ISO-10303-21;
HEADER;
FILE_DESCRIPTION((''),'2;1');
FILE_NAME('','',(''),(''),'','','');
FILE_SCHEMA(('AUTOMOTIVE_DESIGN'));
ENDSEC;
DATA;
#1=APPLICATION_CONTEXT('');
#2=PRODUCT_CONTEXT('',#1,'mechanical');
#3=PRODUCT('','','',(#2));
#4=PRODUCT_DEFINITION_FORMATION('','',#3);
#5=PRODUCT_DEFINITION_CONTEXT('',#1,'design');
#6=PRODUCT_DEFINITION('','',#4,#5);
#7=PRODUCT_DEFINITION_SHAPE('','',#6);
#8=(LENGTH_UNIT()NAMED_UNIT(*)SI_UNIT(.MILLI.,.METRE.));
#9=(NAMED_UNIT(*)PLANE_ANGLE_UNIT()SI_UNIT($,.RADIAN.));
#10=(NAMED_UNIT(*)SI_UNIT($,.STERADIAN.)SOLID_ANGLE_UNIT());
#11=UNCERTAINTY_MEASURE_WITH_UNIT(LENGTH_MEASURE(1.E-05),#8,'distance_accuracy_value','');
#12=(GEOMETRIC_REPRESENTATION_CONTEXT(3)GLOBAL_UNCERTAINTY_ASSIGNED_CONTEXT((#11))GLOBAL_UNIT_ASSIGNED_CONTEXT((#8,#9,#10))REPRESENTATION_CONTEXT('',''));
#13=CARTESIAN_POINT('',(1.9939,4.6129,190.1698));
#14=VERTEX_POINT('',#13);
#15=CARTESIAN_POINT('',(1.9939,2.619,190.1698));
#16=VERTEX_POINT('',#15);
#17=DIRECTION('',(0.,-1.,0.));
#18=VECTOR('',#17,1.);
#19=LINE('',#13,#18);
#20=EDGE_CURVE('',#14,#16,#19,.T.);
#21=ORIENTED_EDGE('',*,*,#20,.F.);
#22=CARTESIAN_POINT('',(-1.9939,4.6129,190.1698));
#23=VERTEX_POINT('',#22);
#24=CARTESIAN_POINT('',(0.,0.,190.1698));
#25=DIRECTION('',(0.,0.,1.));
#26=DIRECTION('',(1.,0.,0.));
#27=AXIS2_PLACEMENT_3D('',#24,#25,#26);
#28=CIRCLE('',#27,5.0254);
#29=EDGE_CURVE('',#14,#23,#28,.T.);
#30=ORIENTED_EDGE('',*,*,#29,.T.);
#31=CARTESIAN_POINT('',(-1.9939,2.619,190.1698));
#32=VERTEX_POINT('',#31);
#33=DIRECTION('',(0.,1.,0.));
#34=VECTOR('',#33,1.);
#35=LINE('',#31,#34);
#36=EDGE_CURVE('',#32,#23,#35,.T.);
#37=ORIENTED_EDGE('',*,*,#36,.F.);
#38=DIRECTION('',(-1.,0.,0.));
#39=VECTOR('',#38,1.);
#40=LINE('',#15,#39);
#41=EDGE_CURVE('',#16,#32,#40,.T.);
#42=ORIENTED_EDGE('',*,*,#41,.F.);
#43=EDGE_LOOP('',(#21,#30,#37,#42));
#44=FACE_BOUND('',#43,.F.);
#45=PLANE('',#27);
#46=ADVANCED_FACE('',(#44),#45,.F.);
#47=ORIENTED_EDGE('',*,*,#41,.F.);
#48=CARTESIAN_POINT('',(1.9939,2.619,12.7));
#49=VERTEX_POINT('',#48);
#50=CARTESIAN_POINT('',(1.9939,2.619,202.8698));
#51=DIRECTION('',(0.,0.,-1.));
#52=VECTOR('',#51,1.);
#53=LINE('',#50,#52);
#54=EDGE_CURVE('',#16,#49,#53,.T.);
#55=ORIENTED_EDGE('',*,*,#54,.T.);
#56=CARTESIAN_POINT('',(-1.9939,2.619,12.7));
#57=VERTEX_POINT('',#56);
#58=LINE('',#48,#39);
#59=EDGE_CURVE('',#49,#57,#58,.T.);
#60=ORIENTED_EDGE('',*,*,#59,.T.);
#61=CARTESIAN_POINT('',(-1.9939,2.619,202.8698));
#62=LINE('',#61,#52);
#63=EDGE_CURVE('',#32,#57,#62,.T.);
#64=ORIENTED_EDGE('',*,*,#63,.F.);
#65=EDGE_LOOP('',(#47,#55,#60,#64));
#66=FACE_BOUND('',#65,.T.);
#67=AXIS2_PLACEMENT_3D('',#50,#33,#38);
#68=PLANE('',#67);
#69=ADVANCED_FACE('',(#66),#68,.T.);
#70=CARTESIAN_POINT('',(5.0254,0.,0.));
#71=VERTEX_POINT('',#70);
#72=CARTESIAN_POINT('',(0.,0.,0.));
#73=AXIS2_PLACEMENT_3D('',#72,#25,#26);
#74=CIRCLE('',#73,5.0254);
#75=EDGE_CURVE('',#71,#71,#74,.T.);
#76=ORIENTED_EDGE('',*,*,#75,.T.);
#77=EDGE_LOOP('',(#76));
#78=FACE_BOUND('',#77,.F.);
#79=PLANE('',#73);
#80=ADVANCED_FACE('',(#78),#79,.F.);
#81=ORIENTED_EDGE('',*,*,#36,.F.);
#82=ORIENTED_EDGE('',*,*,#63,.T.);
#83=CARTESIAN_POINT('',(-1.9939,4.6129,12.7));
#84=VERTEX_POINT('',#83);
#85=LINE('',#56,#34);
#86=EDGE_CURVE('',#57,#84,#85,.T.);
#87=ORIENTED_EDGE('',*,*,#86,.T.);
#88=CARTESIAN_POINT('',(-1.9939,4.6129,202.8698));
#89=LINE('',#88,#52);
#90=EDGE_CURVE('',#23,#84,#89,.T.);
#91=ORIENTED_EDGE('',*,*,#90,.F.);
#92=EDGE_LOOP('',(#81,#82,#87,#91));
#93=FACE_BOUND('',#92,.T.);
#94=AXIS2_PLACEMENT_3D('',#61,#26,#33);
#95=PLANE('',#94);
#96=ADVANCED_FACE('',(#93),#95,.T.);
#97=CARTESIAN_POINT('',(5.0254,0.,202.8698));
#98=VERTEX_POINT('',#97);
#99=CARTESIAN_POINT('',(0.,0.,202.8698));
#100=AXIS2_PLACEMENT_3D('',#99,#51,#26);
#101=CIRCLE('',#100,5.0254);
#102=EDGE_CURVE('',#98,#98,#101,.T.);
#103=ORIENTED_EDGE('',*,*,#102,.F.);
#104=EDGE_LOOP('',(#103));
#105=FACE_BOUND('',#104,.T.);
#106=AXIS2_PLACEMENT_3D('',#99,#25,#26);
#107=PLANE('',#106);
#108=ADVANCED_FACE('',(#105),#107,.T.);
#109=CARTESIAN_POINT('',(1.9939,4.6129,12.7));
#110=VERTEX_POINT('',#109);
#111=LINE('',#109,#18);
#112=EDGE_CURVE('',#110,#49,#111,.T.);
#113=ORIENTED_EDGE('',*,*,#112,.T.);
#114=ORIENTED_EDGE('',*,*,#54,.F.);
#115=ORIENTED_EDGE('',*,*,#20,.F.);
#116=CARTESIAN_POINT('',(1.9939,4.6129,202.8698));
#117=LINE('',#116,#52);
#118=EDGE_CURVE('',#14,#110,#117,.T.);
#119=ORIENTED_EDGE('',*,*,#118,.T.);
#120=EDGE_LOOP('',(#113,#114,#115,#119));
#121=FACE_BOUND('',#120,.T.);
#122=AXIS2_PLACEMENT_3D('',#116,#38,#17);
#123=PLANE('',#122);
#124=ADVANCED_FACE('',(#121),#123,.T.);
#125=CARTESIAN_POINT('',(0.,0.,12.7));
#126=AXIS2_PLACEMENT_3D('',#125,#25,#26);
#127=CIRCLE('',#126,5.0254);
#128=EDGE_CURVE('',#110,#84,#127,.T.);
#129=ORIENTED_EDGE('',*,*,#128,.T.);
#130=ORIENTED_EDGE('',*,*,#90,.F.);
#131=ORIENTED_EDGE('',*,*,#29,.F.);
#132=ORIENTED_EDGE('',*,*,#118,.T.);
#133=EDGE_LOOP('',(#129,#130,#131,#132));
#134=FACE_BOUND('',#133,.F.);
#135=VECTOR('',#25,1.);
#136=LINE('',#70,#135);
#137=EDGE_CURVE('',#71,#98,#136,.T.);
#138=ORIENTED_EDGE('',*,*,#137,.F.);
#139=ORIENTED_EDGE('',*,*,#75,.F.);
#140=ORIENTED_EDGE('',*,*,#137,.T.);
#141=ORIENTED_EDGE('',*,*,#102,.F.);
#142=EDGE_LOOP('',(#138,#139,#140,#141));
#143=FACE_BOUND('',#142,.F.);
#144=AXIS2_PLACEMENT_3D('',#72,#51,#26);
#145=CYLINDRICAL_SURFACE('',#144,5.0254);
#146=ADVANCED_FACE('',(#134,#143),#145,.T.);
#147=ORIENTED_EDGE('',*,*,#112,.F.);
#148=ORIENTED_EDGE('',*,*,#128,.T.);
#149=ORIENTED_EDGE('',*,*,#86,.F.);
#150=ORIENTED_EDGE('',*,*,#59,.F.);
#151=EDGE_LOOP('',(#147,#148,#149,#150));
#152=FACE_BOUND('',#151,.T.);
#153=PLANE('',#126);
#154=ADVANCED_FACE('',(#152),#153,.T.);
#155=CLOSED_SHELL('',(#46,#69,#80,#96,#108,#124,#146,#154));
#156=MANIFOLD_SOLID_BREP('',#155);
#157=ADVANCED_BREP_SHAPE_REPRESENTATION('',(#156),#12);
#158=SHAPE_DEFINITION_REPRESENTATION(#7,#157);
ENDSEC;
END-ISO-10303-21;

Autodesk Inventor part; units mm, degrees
ref_plane "YZ Plane" through (0, 0, 0) normal (1, 0, 0) x (0, 1, 0)
ref_plane "XZ Plane" through (0, 0, 0) normal (0, 1, 0) x (-1, 0, 0)
ref_plane "XY Plane" through (0, 0, 0) normal (0, 0, 1) x (1, 0, 0)
sketch "Sketch1" plane through (0, 0, 0) normal (0, 0, 1) x (1, 0, 0)
  circle A0 centre (0, 0) radius 5.0254
  dimension "d0" = 10.0508
extrude "Extrusion1" add sketch "Sketch1" along normal blind 202.8698
sketch "Sketch2" plane through (0, 0, 202.8698) normal (0, 0, 1) x (1, 0, 0)
  circle A0 centre (0, 0) radius 5.0254
  circle A1 centre (0, 0) radius 5.0254 projected
  line L0 (-1.9939, 4.6129) -> (1.9939, 4.6129)
  line L1 (1.9939, 4.6129) -> (1.9939, 2.619)
  line L2 (1.9939, 2.619) -> (-1.9939, 2.619)
  line L3 (-1.9939, 2.619) -> (-1.9939, 4.6129)
  arc A2 (1.9939, 4.6129) -> (-1.9939, 4.6129) centre (0, 0) ccw
  dimension "d3" = 3.9878
  dimension "d4" = 1.9939
  dimension "d5" = 1.9939
extrude "Extrusion2" cut sketch "Sketch2" against normal blind 190.1698 contours L0 A0 | L1 L2 L3 L0
extrude "Extrusion3" add sketch "Sketch2" against normal blind 12.7 contours L0 A0 | L1 L2 L3 L0
properties part number "rod with key"
